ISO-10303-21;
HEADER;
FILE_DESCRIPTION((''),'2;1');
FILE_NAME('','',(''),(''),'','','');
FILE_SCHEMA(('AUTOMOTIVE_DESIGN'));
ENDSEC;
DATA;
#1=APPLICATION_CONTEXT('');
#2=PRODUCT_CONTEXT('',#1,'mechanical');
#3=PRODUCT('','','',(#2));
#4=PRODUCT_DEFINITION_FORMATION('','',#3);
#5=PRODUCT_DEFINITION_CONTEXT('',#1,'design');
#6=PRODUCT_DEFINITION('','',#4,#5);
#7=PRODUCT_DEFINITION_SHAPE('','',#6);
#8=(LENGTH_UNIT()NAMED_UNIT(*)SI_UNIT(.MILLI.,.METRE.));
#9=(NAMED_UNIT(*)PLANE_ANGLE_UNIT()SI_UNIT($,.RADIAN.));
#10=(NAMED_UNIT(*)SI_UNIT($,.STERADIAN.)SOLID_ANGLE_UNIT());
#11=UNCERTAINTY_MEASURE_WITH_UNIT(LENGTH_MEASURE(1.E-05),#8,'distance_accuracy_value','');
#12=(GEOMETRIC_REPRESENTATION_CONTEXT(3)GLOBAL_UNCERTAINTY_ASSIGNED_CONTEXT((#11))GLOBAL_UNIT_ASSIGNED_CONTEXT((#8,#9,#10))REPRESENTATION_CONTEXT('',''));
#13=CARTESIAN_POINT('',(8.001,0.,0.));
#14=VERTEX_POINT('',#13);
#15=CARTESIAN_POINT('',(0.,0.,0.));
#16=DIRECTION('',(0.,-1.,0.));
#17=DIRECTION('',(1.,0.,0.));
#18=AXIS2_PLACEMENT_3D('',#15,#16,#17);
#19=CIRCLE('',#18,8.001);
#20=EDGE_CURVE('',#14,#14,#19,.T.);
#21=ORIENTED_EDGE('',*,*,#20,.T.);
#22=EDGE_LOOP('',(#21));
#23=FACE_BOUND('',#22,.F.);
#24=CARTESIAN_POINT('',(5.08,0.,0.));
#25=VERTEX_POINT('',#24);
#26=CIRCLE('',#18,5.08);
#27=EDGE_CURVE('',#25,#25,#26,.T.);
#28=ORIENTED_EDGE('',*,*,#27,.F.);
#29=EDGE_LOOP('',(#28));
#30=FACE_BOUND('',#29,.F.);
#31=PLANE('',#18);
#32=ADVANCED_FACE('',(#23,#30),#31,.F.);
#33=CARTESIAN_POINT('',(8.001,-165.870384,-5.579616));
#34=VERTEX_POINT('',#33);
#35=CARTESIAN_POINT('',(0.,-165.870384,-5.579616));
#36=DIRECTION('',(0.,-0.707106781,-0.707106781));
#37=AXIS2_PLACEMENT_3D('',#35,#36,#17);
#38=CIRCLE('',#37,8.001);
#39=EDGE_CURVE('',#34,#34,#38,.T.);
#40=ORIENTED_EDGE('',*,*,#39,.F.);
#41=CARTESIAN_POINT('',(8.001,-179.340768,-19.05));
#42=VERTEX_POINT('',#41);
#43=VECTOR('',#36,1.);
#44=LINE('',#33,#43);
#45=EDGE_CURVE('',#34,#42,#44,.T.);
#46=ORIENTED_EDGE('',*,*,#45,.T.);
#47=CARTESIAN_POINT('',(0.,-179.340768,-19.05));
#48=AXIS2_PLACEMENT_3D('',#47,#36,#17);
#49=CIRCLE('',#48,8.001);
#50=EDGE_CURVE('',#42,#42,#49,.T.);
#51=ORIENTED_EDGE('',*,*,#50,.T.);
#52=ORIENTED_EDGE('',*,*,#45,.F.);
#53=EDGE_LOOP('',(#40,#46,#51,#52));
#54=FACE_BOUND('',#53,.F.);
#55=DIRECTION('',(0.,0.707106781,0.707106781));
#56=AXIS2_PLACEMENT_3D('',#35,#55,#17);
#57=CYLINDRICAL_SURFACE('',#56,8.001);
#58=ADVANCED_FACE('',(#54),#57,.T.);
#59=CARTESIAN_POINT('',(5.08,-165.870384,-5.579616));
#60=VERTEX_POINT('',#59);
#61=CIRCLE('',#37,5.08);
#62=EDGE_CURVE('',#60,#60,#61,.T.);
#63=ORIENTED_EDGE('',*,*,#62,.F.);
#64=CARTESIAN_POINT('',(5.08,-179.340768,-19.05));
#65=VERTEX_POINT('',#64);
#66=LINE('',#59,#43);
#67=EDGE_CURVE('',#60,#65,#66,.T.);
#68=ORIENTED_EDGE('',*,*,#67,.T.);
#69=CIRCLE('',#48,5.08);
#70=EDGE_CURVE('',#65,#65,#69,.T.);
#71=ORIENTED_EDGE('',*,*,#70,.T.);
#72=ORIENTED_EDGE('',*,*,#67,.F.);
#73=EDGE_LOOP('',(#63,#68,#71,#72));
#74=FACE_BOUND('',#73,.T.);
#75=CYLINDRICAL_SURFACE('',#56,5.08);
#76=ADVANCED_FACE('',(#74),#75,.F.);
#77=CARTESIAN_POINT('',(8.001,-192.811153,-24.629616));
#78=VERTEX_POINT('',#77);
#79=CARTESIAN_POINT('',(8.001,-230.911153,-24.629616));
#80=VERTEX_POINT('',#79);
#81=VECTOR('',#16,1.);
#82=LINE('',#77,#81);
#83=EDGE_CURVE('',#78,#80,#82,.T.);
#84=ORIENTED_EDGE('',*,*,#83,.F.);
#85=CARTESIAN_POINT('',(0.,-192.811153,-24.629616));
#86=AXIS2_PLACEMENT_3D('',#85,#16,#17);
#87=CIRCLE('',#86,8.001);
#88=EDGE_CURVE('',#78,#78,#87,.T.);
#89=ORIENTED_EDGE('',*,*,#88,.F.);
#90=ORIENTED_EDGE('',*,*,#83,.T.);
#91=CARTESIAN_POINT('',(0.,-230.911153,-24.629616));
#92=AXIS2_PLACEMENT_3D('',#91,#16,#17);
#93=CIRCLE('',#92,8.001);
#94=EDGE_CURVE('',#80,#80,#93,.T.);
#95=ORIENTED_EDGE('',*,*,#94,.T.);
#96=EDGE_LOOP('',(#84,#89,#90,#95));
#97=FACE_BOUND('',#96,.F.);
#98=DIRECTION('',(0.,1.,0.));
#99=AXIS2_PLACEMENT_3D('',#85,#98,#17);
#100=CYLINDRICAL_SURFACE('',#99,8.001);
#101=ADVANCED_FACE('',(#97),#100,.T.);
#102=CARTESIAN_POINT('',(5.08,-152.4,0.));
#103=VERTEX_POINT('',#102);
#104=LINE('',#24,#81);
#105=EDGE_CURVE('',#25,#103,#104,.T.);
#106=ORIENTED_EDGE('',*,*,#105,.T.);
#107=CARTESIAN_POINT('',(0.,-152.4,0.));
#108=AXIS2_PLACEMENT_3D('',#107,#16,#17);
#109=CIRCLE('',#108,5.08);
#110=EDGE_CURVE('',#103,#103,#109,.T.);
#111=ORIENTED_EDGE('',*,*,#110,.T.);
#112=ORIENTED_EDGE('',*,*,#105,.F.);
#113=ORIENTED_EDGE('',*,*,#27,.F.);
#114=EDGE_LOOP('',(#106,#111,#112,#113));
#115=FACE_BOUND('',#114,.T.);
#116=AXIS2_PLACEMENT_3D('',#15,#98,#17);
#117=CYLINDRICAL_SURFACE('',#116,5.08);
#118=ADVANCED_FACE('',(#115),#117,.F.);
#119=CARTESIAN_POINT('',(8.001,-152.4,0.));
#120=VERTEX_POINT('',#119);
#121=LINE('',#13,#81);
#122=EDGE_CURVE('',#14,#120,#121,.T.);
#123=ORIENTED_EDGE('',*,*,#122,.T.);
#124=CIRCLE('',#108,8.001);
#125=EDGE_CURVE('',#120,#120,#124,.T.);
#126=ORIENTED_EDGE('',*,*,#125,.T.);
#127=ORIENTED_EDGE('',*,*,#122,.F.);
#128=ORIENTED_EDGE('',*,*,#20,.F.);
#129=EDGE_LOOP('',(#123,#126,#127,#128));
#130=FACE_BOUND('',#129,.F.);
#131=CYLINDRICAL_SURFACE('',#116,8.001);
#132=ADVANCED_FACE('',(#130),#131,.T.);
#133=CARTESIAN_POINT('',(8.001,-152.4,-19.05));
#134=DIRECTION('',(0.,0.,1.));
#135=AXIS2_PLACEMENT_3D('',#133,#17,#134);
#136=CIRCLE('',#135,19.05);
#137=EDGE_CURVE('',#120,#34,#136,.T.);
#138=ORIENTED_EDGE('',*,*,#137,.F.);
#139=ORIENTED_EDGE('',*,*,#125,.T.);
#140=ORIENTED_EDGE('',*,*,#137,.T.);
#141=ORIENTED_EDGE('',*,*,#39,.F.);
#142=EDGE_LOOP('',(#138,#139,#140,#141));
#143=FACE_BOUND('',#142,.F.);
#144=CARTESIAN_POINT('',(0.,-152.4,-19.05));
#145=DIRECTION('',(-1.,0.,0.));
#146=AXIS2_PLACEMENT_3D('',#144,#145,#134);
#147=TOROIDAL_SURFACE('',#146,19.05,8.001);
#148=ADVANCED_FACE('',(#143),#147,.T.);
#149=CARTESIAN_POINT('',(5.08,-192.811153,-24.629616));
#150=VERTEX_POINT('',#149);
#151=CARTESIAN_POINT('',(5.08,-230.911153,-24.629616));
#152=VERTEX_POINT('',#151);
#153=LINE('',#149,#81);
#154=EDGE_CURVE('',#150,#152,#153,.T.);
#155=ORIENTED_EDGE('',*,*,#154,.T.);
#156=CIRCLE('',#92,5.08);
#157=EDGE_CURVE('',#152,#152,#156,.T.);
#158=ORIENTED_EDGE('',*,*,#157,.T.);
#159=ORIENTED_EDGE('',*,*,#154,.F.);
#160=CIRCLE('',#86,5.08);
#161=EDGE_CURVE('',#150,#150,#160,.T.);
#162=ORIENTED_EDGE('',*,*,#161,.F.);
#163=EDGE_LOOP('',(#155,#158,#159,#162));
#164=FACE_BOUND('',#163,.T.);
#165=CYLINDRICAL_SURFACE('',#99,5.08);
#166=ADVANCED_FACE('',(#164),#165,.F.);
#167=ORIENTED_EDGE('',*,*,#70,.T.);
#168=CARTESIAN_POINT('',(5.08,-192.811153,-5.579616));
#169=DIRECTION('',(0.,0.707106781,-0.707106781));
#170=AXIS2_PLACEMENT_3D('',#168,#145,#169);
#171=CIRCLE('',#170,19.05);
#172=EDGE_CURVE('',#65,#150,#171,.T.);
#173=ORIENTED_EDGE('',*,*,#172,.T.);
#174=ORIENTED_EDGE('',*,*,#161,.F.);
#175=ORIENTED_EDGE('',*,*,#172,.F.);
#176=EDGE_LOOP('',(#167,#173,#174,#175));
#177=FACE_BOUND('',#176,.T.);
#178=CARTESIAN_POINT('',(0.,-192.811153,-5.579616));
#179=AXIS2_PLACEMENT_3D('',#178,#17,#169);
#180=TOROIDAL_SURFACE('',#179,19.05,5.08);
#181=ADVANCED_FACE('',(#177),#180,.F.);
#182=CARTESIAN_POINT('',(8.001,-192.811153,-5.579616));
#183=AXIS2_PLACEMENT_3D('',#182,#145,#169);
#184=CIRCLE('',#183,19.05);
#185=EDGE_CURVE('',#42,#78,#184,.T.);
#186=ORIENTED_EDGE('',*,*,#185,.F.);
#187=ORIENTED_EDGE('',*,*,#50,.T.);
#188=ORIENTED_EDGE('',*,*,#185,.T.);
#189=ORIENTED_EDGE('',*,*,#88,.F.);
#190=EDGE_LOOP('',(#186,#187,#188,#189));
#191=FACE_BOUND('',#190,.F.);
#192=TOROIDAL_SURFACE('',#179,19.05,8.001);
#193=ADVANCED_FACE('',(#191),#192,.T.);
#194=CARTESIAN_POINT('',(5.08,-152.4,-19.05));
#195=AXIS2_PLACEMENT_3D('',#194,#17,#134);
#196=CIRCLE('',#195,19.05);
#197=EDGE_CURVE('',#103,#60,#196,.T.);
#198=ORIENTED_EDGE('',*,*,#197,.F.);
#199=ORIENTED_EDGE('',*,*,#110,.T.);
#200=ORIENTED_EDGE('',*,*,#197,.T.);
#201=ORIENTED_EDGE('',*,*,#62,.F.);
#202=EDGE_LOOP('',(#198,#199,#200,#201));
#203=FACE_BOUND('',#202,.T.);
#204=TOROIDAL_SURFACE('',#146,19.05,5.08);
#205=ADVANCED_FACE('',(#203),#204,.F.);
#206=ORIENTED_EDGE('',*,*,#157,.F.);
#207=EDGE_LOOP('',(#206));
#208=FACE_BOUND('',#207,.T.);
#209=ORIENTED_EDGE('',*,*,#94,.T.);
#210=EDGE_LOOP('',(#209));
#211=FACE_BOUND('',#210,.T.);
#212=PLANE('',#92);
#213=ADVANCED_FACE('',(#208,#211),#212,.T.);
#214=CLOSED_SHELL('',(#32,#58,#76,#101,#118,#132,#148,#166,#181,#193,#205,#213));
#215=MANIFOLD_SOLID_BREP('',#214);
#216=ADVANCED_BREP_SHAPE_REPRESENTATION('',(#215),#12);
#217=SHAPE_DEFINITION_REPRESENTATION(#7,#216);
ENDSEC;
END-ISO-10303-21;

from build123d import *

# Parameters (mm, degrees)
F0_R     = 8.001
F0_R_2   = 5.08
F1_DEPTH = 152.4
F2_R     = 8.001
F2_R_2   = 5.08
F3_ANGLE = 45
F4_R     = 8.001
F4_R_2   = 5.08
F5_DEPTH = 19.05
F6_R     = 8.001
F6_R_2   = 5.08
F7_ANGLE = 45
F8_R     = 8.001
F8_R_2   = 5.08
F9_DEPTH = 38.1


with BuildPart() as f1:
    # F0 (on Front) → F1 (new body)
    with BuildSketch(Plane.XZ):
        Circle(F0_R)
        Circle(F0_R_2, mode=Mode.SUBTRACT)
    extrude(amount=F1_DEPTH)

    # F2 (on face) → F3 (revolve)
    with BuildSketch(Plane.XZ.offset(152.4)):
        Circle(F2_R)
        Circle(F2_R_2, mode=Mode.SUBTRACT)
    revolve(axis=Axis((1.8257172778, -152.4, -19.05), (1, 0, 0)), revolution_arc=F3_ANGLE)

    # F4 (on face) → F5 (join)
    with BuildSketch(Plane(origin=(0, -85.725, -85.725), x_dir=(1, 0, 0), z_dir=(0, -0.7071067812, -0.7071067812))):
        with Locations((0, 113.3426892712)):
            Circle(F4_R)
        with Locations((0, 113.3426892712)):
            Circle(F4_R_2, mode=Mode.SUBTRACT)
    extrude(amount=F5_DEPTH)

    # F6 (on face) → F7 (revolve)
    with BuildSketch(Plane(origin=(0, -99.1953841816, -99.1953841816), x_dir=(1, 0, 0), z_dir=(0, -0.7071067812, -0.7071067812))):
        with Locations((0, 113.3426892712)):
            Circle(F6_R)
        with Locations((0, 113.3426892712)):
            Circle(F6_R_2, mode=Mode.SUBTRACT)
    revolve(axis=Axis((0.5769948475, -192.8111525448, -5.5796158184), (-1, 0, 0)), revolution_arc=F7_ANGLE)

    # F8 (on face) → F9 (join)
    with BuildSketch(Plane.XZ.offset(192.8111525448)):
        with Locations((0, -24.6296158184)):
            Circle(F8_R)
        with Locations((0, -24.6296158184)):
            Circle(F8_R_2, mode=Mode.SUBTRACT)
    extrude(amount=F9_DEPTH)


solid = f1.part
